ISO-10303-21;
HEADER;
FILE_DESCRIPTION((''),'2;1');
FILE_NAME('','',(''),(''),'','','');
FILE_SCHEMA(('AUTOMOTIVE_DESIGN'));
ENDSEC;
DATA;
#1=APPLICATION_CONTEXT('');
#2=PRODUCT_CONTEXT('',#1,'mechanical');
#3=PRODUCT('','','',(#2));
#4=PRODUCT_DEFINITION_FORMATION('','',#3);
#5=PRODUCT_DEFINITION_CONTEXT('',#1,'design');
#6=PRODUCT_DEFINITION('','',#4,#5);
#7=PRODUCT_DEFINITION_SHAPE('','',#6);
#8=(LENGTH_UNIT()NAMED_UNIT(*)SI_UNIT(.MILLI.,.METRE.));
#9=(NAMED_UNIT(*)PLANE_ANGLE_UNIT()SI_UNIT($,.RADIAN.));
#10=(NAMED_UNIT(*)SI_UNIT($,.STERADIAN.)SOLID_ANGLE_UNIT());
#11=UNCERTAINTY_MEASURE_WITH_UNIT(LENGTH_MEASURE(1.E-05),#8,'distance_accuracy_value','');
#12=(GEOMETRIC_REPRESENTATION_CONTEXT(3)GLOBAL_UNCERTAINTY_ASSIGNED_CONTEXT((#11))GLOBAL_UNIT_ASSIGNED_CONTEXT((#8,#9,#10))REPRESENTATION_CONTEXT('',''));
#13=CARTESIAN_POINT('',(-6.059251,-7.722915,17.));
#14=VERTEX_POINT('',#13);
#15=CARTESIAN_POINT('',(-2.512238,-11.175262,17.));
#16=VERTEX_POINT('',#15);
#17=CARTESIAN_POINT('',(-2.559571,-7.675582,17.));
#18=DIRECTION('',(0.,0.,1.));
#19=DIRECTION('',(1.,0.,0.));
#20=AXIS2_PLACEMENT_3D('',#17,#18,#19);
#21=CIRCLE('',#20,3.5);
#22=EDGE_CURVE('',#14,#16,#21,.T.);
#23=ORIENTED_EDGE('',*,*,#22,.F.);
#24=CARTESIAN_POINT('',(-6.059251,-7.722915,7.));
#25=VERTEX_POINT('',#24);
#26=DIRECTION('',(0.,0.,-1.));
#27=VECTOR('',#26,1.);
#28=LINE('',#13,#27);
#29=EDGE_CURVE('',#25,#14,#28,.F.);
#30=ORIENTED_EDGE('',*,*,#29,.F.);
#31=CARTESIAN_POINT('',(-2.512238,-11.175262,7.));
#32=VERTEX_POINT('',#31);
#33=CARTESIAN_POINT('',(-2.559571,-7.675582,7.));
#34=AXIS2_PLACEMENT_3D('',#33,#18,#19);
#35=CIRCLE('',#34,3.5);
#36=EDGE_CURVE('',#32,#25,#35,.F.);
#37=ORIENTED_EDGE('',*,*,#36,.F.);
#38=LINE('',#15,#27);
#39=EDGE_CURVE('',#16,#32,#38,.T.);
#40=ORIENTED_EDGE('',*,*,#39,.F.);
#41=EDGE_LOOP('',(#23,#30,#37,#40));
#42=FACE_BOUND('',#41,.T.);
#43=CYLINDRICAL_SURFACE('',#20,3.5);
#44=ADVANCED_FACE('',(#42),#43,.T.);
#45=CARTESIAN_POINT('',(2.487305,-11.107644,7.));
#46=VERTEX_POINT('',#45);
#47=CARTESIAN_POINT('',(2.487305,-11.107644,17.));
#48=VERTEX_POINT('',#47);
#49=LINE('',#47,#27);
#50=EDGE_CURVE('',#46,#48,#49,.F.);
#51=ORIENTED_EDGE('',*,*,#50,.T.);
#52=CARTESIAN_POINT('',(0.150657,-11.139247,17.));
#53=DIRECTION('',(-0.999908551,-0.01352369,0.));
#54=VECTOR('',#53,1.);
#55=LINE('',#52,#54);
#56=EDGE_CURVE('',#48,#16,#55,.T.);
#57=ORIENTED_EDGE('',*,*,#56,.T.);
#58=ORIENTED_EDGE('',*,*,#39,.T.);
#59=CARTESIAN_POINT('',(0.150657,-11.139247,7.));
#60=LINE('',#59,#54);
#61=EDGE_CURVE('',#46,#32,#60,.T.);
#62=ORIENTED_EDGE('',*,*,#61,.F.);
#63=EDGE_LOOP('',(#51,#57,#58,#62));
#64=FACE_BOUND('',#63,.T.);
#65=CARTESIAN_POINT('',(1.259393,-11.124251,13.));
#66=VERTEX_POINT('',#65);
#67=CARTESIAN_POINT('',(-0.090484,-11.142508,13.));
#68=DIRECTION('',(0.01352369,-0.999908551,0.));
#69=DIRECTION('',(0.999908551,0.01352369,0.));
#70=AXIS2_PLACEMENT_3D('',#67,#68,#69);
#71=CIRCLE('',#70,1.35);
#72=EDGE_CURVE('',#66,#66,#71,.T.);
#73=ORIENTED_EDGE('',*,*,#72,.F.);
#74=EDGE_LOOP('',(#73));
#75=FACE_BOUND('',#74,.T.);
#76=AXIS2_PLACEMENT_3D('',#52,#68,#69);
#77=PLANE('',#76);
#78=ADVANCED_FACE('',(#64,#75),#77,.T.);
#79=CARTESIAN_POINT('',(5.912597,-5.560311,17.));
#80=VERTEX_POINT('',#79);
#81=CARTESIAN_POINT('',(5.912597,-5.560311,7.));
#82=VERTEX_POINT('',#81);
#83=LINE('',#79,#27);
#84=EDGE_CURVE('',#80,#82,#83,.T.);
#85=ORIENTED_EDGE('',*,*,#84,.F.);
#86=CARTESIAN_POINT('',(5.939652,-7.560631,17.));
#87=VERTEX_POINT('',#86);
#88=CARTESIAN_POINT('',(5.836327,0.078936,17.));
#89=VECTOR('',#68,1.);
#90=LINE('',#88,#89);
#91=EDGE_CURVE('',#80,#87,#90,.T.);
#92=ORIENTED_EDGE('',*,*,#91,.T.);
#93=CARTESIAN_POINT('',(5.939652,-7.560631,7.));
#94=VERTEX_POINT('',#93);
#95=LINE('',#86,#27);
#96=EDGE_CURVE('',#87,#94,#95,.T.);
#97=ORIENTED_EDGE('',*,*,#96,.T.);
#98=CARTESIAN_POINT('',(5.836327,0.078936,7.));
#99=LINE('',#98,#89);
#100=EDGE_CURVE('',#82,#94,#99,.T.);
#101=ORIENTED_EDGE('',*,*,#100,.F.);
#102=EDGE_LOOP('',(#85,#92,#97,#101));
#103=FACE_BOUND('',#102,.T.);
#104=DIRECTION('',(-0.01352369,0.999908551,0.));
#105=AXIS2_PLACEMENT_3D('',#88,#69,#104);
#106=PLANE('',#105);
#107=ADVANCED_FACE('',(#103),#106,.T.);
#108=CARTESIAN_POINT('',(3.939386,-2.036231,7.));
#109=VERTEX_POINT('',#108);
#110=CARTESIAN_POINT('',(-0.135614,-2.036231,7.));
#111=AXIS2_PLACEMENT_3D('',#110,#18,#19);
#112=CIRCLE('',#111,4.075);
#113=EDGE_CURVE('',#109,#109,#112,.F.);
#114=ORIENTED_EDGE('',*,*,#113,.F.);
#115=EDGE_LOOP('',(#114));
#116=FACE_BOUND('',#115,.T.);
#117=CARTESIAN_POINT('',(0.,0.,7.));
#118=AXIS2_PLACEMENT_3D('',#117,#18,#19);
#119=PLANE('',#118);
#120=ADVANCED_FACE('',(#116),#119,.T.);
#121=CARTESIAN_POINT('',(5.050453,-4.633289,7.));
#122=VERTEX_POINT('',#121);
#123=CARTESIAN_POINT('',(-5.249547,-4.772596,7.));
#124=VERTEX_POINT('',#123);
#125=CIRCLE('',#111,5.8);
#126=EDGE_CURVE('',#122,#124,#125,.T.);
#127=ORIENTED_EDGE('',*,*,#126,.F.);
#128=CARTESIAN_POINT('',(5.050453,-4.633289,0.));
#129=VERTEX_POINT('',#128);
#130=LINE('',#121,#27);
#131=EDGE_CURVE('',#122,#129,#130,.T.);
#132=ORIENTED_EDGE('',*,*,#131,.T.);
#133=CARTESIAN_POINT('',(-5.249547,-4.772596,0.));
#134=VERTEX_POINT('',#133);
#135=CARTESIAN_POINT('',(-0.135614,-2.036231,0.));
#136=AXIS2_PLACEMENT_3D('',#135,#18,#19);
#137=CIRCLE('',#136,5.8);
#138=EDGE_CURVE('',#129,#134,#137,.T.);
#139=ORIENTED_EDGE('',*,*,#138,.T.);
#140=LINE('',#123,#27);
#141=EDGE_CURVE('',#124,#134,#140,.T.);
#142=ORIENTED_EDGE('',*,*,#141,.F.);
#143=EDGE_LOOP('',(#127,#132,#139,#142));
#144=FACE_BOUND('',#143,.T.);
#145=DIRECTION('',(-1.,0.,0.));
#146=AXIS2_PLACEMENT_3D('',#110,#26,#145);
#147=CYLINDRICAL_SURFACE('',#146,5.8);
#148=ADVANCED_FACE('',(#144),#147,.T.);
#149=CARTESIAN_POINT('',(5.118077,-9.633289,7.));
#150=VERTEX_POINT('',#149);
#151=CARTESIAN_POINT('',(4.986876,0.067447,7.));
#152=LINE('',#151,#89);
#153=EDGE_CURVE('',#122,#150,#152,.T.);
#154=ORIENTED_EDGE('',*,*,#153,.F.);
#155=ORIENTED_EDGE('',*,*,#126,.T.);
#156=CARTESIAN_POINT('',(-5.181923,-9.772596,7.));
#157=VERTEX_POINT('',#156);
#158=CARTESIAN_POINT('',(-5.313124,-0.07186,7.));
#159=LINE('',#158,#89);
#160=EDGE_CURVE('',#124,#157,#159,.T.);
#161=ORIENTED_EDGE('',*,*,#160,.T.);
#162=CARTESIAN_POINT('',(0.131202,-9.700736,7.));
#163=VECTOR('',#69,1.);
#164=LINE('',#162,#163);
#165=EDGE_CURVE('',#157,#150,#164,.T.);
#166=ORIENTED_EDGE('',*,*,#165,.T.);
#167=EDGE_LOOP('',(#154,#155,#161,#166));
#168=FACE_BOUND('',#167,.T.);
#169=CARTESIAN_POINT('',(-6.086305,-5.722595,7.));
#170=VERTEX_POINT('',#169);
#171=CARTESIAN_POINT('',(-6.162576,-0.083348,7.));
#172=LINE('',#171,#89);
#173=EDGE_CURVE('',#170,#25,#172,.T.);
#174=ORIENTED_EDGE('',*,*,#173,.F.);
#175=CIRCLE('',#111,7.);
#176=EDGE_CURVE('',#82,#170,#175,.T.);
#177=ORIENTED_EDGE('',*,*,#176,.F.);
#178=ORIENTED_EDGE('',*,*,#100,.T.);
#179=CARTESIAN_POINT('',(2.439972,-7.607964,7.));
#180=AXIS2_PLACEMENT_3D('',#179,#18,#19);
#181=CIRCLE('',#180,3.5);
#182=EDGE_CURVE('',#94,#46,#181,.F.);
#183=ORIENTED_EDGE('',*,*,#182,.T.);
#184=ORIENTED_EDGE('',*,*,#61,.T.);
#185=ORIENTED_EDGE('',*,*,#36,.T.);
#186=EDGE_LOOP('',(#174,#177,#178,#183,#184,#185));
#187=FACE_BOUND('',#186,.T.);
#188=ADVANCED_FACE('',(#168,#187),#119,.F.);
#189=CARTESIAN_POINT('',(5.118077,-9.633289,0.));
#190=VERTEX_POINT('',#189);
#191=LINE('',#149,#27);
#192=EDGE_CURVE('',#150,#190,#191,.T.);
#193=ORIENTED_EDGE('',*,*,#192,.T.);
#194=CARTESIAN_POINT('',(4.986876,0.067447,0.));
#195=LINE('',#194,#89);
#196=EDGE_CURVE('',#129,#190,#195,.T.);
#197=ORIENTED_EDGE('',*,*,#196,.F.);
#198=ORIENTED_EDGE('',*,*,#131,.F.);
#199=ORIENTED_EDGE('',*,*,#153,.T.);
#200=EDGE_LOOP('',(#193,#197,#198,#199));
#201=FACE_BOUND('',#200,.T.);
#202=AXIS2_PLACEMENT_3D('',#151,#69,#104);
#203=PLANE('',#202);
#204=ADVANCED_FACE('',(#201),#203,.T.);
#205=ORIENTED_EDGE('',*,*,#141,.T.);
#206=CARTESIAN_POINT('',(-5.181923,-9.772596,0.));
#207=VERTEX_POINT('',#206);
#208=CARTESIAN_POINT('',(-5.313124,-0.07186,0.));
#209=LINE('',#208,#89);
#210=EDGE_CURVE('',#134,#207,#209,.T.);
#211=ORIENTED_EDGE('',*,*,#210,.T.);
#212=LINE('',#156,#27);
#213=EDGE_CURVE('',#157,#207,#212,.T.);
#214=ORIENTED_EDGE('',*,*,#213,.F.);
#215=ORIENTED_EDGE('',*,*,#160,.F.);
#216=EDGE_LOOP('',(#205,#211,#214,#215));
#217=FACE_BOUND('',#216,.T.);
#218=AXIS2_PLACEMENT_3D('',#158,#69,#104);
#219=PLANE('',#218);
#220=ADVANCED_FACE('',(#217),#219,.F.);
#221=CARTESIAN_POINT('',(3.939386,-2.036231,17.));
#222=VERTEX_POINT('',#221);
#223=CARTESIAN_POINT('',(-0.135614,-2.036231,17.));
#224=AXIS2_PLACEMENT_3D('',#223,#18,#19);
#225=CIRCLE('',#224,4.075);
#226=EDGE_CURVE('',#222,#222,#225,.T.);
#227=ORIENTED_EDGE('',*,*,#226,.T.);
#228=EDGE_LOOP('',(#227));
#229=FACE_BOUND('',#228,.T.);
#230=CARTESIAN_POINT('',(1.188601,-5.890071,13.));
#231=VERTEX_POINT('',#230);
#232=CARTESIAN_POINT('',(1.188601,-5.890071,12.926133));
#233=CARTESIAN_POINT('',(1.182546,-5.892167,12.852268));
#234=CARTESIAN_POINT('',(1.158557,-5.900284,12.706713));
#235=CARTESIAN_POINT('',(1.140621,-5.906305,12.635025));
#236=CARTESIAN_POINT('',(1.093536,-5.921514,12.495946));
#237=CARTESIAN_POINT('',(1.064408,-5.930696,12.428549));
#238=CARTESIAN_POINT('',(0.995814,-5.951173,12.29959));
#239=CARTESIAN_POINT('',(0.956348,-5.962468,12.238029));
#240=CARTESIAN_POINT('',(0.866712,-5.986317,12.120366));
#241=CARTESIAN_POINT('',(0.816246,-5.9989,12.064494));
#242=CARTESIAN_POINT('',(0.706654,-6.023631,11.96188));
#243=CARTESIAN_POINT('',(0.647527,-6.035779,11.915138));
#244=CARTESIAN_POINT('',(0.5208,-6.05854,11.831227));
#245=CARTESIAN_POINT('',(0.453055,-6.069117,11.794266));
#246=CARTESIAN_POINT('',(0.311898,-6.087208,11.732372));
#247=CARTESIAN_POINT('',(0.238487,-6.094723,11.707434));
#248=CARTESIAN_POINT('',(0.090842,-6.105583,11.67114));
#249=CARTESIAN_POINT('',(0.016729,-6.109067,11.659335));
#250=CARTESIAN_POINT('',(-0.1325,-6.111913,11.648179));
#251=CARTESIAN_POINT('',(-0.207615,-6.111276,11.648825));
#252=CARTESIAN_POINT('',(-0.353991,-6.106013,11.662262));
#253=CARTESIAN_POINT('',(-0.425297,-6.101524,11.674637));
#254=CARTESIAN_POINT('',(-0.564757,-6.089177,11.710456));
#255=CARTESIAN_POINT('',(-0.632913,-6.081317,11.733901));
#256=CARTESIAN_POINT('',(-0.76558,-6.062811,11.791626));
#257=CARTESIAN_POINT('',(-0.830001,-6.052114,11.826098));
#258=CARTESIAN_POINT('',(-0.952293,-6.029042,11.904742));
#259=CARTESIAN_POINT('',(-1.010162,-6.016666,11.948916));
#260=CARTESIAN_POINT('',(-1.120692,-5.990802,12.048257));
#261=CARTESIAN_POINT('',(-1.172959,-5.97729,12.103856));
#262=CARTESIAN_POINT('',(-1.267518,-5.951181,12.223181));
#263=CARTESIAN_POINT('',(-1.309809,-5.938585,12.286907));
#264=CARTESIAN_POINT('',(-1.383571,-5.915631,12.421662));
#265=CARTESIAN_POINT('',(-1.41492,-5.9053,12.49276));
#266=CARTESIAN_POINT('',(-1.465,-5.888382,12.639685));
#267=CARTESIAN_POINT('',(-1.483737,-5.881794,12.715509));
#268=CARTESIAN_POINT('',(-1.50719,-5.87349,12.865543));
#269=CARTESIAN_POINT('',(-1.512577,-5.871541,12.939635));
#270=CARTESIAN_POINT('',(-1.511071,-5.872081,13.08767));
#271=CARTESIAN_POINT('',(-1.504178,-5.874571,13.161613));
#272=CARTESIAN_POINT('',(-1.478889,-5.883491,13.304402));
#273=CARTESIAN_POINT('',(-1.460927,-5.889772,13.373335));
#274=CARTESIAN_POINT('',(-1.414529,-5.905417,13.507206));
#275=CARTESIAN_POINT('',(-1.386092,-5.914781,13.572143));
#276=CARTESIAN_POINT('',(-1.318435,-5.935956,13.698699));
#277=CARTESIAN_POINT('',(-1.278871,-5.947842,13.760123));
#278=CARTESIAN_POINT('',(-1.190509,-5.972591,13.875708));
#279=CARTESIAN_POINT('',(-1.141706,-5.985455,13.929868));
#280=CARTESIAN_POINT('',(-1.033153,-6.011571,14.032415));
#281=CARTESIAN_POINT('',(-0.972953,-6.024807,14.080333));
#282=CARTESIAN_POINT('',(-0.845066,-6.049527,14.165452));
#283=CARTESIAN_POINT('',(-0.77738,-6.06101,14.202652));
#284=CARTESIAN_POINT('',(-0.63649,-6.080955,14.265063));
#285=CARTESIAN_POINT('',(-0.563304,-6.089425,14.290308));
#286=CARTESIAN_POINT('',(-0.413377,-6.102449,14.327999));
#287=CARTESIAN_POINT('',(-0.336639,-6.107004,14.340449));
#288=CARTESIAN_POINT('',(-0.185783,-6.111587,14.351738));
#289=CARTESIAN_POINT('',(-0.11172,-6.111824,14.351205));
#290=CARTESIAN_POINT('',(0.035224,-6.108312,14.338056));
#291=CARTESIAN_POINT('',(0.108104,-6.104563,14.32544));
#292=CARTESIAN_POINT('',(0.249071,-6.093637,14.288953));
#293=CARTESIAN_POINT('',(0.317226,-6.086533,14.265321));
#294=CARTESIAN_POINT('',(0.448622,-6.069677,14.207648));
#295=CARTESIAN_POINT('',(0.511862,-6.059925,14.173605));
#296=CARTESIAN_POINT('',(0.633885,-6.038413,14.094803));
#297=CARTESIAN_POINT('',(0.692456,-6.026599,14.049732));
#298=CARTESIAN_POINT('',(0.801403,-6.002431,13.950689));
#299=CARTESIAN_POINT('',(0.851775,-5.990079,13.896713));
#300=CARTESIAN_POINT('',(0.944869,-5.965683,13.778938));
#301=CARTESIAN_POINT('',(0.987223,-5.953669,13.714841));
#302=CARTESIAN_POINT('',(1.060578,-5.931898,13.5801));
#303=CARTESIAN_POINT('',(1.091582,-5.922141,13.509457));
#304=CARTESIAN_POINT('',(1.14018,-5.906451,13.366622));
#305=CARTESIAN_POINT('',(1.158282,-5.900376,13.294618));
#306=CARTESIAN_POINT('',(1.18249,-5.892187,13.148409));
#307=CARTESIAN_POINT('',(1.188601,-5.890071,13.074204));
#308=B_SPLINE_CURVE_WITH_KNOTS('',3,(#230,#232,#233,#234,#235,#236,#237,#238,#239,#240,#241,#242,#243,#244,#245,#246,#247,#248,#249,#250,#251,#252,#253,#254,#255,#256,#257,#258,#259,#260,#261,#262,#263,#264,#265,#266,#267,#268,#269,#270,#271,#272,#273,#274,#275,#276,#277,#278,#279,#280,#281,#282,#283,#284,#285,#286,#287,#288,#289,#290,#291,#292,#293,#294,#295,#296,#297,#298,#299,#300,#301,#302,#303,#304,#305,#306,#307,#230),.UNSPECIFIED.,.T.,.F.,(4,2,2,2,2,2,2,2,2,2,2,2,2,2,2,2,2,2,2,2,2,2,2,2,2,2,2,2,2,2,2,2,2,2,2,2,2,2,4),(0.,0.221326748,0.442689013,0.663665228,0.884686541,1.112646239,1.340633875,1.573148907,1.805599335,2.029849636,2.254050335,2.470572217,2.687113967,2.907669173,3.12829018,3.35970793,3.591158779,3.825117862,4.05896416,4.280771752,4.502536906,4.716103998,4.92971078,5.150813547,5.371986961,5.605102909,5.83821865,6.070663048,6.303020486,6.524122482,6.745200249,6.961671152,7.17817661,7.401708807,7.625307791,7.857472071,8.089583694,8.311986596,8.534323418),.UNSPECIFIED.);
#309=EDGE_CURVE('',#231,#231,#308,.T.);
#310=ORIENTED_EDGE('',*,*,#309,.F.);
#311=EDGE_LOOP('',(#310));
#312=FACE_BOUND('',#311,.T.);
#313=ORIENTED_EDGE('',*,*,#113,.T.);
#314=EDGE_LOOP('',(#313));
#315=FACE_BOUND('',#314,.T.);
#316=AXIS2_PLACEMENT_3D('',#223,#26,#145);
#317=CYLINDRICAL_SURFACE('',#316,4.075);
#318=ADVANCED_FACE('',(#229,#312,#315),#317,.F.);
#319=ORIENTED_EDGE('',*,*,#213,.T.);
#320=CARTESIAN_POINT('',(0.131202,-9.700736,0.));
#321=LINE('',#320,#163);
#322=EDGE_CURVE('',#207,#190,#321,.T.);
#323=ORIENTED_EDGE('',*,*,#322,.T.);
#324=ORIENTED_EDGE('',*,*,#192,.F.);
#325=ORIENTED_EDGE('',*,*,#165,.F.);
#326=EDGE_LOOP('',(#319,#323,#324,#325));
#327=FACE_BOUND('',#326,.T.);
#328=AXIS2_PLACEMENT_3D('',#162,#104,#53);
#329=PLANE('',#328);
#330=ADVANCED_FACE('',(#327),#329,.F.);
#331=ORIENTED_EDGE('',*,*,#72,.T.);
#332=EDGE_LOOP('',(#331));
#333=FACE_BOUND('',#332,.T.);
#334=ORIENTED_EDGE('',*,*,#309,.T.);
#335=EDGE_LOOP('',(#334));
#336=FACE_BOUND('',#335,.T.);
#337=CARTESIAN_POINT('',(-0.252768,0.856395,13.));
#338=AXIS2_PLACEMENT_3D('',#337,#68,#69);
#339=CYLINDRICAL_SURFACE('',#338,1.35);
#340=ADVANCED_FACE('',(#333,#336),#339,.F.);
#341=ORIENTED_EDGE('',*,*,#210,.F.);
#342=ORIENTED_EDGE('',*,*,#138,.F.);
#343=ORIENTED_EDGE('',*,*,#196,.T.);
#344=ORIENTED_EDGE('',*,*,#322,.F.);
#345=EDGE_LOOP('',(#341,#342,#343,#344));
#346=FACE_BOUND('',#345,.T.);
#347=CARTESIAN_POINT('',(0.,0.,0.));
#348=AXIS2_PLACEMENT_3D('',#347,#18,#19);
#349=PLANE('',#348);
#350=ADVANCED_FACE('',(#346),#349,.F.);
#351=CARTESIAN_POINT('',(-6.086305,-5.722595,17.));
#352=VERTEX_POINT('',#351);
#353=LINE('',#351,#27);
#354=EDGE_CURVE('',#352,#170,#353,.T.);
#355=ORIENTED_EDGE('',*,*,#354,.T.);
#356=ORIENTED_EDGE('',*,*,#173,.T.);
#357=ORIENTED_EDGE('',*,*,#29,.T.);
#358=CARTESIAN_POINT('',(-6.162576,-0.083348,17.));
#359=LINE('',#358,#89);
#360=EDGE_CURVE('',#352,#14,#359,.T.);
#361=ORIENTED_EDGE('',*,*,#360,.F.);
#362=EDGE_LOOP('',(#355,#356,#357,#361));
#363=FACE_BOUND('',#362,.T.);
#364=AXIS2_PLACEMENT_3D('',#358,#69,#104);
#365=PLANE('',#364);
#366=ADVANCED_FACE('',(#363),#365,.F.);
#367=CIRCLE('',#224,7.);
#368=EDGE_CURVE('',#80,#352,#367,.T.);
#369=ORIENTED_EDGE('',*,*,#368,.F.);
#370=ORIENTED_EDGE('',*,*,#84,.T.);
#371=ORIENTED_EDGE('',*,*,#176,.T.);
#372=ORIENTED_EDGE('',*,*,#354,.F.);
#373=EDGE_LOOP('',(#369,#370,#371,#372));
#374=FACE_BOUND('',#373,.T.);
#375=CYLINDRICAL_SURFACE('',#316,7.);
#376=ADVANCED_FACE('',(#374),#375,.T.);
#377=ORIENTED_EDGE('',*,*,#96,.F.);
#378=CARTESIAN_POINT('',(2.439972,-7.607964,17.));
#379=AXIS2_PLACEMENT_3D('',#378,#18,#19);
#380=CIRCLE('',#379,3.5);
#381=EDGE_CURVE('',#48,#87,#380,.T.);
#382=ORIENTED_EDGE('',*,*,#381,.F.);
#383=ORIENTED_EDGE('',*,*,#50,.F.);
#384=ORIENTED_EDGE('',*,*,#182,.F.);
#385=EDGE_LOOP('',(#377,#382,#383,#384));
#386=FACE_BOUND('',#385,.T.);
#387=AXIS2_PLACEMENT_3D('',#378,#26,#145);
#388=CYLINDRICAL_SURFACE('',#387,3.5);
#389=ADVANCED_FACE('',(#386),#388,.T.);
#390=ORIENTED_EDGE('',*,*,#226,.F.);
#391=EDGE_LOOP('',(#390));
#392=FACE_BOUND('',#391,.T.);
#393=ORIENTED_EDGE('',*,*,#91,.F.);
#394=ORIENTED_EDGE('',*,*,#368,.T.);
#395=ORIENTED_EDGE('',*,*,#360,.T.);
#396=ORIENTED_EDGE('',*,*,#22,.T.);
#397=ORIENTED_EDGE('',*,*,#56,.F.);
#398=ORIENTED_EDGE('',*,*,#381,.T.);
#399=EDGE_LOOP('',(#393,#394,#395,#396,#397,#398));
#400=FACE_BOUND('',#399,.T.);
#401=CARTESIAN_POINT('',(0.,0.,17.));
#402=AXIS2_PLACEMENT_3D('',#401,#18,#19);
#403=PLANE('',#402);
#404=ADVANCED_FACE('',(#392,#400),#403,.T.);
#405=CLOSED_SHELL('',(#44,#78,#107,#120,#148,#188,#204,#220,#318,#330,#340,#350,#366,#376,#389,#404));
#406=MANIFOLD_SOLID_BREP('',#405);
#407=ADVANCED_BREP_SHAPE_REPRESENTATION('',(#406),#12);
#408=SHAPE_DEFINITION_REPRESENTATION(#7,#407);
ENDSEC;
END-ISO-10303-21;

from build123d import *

# Parameters (mm, degrees)
BOSS_EXTRUDE1_DEPTH = 7
BOSS_EXTRUDE3_DEPTH = 10
SKETCH6_R           = 1.35
CUT_EXTRUDE3_DEPTH  = 12
FILLET1_R           = 3.5
FILLET2_R           = 3.5


with BuildPart() as part:
    # Sketch1 → Boss-Extrude1 (new body)
    with BuildSketch(Plane.XY):
        with BuildLine():
            ThreePointArc((5.050452833, -4.633288902), (-0.057176836, -7.835700867), (-5.249547167, -4.77259565))
            Line((-5.249547167, -4.77259565), (-5.181922533, -9.77259565))
            Line((-5.181922533, -9.77259565), (5.118077467, -9.633288902))
            Line((5.118077467, -9.633288902), (5.050452833, -4.633288902))
        make_face()
        with BuildLine():
            ThreePointArc((5.664385761, -2.036231273), (-1.546144107, 3.589638037), (-5.249547167, -4.77259565))
            Line((-5.249547167, -4.77259565), (5.050452833, -4.633288902))
            ThreePointArc((5.050452833, -4.633288902), (5.508816158, -3.370549635), (5.664385761, -2.036231273))
        make_face()
        with BuildLine():
            Line((5.050452833, -4.633288902), (-5.249547167, -4.77259565))
            ThreePointArc((-5.249547167, -4.77259565), (-0.057176836, -7.835700867), (5.050452833, -4.633288902))
        make_face()
    extrude(amount=BOSS_EXTRUDE1_DEPTH)

    # Sketch2 → Boss-Extrude3 (add)
    with BuildSketch(Plane.XY.offset(7)):
        with BuildLine():
            Line((5.063146119, -5.571799449), (5.912597424, -5.560310683))
            ThreePointArc((5.912597424, -5.560310683), (6.622250869, -3.861405013), (6.864385761, -2.036231273))
            ThreePointArc((6.864385761, -2.036231273), (-2.052012342, 4.696332749), (-6.086305185, -5.722594964))
            Line((-6.086305185, -5.722594964), (-5.236853881, -5.711106197))
            Line((-5.236853881, -5.711106197), (-5.249547167, -4.77259565))
            ThreePointArc((-5.249547167, -4.77259565), (-0.214051642, 3.763238321), (5.050452833, -4.633288902))
            Line((5.050452833, -4.633288902), (5.063146119, -5.571799449))
        make_face()
        with BuildLine():
            Line((1.811820806, -5.615773387), (5.063146119, -5.571799449))
            Line((5.063146119, -5.571799449), (5.050452833, -4.633288902))
            ThreePointArc((5.050452833, -4.633288902), (-0.214051642, 3.763238321), (-5.249547167, -4.77259565))
            Line((-5.249547167, -4.77259565), (-5.236853881, -5.711106197))
            Line((-5.236853881, -5.711106197), (-1.985528568, -5.66713226))
            ThreePointArc((-1.985528568, -5.66713226), (-2.264842281, 1.438248968), (3.939385761, -2.036231273))
            ThreePointArc((3.939385761, -2.036231273), (3.367343284, -4.118276805), (1.811820806, -5.615773387))
        make_face()
        with BuildLine():
            Line((5.078495254, -6.706676883), (5.063146119, -5.571799449))
            Line((5.063146119, -5.571799449), (1.811820806, -5.615773387))
            ThreePointArc((1.811820806, -5.615773387), (-0.080505202, -6.110858617), (-1.985528568, -5.66713226))
            Line((-1.985528568, -5.66713226), (-5.236853881, -5.711106197))
            Line((-5.236853881, -5.711106197), (-5.221504746, -6.845983631))
            ThreePointArc((-5.221504746, -6.845983631), (-0.040948408, -9.035591128), (5.078495254, -6.706676883))
        make_face()
        with BuildLine():
            Line((5.118077467, -9.633288902), (5.078495254, -6.706676883))
            ThreePointArc((5.078495254, -6.706676883), (-0.040948408, -9.035591128), (-5.221504746, -6.845983631))
            Line((-5.221504746, -6.845983631), (-5.181922533, -9.77259565))
            Line((-5.181922533, -9.77259565), (5.118077467, -9.633288902))
        make_face()
        with BuildLine():
            Line((5.986984522, -11.060310683), (5.912597424, -5.560310683))
            ThreePointArc((5.912597424, -5.560310683), (5.524642674, -6.154664432), (5.078495254, -6.706676883))
            Line((5.078495254, -6.706676883), (5.118077467, -9.633288902))
            Line((5.118077467, -9.633288902), (-5.181922533, -9.77259565))
            Line((-5.181922533, -9.77259565), (-5.221504746, -6.845983631))
            ThreePointArc((-5.221504746, -6.845983631), (-5.6824181, -6.30623911), (-6.086305185, -5.722594964))
            Line((-6.086305185, -5.722594964), (-6.011918087, -11.222594964))
            Line((-6.011918087, -11.222594964), (5.986984522, -11.060310683))
        make_face()
        with BuildLine():
            ThreePointArc((5.078495254, -6.706676883), (5.524642674, -6.154664432), (5.912597424, -5.560310683))
            Line((5.912597424, -5.560310683), (5.063146119, -5.571799449))
            Line((5.063146119, -5.571799449), (5.078495254, -6.706676883))
        make_face()
        with BuildLine():
            Line((-5.236853881, -5.711106197), (-6.086305185, -5.722594964))
            ThreePointArc((-6.086305185, -5.722594964), (-5.6824181, -6.30623911), (-5.221504746, -6.845983631))
            Line((-5.221504746, -6.845983631), (-5.236853881, -5.711106197))
        make_face()
    extrude(amount=BOSS_EXTRUDE3_DEPTH)

    # Sketch6 → Cut-Extrude3 (cut)
    with BuildSketch(Plane(origin=(0.150657496, -11.139246579, 0), x_dir=(-0.999908551, -0.01352369, 0), z_dir=(0.01352369, -0.999908551, 0))):
        with Locations((0.241163233, -13)):
            Circle(SKETCH6_R)
    extrude(amount=-CUT_EXTRUDE3_DEPTH, mode=Mode.SUBTRACT)

    # Fillet1
    fillet1_edges = [part.edges().sort_by_distance(p)[0] for p in [
        (5.986984522, -11.060310683, 12),
    ]]
    fillet(fillet1_edges, radius=FILLET1_R)

    # Fillet2
    fillet2_edges = [part.edges().sort_by_distance(p)[0] for p in [
        (-6.011918087, -11.222594964, 12),
    ]]
    fillet(fillet2_edges, radius=FILLET2_R)


solid = part.part
